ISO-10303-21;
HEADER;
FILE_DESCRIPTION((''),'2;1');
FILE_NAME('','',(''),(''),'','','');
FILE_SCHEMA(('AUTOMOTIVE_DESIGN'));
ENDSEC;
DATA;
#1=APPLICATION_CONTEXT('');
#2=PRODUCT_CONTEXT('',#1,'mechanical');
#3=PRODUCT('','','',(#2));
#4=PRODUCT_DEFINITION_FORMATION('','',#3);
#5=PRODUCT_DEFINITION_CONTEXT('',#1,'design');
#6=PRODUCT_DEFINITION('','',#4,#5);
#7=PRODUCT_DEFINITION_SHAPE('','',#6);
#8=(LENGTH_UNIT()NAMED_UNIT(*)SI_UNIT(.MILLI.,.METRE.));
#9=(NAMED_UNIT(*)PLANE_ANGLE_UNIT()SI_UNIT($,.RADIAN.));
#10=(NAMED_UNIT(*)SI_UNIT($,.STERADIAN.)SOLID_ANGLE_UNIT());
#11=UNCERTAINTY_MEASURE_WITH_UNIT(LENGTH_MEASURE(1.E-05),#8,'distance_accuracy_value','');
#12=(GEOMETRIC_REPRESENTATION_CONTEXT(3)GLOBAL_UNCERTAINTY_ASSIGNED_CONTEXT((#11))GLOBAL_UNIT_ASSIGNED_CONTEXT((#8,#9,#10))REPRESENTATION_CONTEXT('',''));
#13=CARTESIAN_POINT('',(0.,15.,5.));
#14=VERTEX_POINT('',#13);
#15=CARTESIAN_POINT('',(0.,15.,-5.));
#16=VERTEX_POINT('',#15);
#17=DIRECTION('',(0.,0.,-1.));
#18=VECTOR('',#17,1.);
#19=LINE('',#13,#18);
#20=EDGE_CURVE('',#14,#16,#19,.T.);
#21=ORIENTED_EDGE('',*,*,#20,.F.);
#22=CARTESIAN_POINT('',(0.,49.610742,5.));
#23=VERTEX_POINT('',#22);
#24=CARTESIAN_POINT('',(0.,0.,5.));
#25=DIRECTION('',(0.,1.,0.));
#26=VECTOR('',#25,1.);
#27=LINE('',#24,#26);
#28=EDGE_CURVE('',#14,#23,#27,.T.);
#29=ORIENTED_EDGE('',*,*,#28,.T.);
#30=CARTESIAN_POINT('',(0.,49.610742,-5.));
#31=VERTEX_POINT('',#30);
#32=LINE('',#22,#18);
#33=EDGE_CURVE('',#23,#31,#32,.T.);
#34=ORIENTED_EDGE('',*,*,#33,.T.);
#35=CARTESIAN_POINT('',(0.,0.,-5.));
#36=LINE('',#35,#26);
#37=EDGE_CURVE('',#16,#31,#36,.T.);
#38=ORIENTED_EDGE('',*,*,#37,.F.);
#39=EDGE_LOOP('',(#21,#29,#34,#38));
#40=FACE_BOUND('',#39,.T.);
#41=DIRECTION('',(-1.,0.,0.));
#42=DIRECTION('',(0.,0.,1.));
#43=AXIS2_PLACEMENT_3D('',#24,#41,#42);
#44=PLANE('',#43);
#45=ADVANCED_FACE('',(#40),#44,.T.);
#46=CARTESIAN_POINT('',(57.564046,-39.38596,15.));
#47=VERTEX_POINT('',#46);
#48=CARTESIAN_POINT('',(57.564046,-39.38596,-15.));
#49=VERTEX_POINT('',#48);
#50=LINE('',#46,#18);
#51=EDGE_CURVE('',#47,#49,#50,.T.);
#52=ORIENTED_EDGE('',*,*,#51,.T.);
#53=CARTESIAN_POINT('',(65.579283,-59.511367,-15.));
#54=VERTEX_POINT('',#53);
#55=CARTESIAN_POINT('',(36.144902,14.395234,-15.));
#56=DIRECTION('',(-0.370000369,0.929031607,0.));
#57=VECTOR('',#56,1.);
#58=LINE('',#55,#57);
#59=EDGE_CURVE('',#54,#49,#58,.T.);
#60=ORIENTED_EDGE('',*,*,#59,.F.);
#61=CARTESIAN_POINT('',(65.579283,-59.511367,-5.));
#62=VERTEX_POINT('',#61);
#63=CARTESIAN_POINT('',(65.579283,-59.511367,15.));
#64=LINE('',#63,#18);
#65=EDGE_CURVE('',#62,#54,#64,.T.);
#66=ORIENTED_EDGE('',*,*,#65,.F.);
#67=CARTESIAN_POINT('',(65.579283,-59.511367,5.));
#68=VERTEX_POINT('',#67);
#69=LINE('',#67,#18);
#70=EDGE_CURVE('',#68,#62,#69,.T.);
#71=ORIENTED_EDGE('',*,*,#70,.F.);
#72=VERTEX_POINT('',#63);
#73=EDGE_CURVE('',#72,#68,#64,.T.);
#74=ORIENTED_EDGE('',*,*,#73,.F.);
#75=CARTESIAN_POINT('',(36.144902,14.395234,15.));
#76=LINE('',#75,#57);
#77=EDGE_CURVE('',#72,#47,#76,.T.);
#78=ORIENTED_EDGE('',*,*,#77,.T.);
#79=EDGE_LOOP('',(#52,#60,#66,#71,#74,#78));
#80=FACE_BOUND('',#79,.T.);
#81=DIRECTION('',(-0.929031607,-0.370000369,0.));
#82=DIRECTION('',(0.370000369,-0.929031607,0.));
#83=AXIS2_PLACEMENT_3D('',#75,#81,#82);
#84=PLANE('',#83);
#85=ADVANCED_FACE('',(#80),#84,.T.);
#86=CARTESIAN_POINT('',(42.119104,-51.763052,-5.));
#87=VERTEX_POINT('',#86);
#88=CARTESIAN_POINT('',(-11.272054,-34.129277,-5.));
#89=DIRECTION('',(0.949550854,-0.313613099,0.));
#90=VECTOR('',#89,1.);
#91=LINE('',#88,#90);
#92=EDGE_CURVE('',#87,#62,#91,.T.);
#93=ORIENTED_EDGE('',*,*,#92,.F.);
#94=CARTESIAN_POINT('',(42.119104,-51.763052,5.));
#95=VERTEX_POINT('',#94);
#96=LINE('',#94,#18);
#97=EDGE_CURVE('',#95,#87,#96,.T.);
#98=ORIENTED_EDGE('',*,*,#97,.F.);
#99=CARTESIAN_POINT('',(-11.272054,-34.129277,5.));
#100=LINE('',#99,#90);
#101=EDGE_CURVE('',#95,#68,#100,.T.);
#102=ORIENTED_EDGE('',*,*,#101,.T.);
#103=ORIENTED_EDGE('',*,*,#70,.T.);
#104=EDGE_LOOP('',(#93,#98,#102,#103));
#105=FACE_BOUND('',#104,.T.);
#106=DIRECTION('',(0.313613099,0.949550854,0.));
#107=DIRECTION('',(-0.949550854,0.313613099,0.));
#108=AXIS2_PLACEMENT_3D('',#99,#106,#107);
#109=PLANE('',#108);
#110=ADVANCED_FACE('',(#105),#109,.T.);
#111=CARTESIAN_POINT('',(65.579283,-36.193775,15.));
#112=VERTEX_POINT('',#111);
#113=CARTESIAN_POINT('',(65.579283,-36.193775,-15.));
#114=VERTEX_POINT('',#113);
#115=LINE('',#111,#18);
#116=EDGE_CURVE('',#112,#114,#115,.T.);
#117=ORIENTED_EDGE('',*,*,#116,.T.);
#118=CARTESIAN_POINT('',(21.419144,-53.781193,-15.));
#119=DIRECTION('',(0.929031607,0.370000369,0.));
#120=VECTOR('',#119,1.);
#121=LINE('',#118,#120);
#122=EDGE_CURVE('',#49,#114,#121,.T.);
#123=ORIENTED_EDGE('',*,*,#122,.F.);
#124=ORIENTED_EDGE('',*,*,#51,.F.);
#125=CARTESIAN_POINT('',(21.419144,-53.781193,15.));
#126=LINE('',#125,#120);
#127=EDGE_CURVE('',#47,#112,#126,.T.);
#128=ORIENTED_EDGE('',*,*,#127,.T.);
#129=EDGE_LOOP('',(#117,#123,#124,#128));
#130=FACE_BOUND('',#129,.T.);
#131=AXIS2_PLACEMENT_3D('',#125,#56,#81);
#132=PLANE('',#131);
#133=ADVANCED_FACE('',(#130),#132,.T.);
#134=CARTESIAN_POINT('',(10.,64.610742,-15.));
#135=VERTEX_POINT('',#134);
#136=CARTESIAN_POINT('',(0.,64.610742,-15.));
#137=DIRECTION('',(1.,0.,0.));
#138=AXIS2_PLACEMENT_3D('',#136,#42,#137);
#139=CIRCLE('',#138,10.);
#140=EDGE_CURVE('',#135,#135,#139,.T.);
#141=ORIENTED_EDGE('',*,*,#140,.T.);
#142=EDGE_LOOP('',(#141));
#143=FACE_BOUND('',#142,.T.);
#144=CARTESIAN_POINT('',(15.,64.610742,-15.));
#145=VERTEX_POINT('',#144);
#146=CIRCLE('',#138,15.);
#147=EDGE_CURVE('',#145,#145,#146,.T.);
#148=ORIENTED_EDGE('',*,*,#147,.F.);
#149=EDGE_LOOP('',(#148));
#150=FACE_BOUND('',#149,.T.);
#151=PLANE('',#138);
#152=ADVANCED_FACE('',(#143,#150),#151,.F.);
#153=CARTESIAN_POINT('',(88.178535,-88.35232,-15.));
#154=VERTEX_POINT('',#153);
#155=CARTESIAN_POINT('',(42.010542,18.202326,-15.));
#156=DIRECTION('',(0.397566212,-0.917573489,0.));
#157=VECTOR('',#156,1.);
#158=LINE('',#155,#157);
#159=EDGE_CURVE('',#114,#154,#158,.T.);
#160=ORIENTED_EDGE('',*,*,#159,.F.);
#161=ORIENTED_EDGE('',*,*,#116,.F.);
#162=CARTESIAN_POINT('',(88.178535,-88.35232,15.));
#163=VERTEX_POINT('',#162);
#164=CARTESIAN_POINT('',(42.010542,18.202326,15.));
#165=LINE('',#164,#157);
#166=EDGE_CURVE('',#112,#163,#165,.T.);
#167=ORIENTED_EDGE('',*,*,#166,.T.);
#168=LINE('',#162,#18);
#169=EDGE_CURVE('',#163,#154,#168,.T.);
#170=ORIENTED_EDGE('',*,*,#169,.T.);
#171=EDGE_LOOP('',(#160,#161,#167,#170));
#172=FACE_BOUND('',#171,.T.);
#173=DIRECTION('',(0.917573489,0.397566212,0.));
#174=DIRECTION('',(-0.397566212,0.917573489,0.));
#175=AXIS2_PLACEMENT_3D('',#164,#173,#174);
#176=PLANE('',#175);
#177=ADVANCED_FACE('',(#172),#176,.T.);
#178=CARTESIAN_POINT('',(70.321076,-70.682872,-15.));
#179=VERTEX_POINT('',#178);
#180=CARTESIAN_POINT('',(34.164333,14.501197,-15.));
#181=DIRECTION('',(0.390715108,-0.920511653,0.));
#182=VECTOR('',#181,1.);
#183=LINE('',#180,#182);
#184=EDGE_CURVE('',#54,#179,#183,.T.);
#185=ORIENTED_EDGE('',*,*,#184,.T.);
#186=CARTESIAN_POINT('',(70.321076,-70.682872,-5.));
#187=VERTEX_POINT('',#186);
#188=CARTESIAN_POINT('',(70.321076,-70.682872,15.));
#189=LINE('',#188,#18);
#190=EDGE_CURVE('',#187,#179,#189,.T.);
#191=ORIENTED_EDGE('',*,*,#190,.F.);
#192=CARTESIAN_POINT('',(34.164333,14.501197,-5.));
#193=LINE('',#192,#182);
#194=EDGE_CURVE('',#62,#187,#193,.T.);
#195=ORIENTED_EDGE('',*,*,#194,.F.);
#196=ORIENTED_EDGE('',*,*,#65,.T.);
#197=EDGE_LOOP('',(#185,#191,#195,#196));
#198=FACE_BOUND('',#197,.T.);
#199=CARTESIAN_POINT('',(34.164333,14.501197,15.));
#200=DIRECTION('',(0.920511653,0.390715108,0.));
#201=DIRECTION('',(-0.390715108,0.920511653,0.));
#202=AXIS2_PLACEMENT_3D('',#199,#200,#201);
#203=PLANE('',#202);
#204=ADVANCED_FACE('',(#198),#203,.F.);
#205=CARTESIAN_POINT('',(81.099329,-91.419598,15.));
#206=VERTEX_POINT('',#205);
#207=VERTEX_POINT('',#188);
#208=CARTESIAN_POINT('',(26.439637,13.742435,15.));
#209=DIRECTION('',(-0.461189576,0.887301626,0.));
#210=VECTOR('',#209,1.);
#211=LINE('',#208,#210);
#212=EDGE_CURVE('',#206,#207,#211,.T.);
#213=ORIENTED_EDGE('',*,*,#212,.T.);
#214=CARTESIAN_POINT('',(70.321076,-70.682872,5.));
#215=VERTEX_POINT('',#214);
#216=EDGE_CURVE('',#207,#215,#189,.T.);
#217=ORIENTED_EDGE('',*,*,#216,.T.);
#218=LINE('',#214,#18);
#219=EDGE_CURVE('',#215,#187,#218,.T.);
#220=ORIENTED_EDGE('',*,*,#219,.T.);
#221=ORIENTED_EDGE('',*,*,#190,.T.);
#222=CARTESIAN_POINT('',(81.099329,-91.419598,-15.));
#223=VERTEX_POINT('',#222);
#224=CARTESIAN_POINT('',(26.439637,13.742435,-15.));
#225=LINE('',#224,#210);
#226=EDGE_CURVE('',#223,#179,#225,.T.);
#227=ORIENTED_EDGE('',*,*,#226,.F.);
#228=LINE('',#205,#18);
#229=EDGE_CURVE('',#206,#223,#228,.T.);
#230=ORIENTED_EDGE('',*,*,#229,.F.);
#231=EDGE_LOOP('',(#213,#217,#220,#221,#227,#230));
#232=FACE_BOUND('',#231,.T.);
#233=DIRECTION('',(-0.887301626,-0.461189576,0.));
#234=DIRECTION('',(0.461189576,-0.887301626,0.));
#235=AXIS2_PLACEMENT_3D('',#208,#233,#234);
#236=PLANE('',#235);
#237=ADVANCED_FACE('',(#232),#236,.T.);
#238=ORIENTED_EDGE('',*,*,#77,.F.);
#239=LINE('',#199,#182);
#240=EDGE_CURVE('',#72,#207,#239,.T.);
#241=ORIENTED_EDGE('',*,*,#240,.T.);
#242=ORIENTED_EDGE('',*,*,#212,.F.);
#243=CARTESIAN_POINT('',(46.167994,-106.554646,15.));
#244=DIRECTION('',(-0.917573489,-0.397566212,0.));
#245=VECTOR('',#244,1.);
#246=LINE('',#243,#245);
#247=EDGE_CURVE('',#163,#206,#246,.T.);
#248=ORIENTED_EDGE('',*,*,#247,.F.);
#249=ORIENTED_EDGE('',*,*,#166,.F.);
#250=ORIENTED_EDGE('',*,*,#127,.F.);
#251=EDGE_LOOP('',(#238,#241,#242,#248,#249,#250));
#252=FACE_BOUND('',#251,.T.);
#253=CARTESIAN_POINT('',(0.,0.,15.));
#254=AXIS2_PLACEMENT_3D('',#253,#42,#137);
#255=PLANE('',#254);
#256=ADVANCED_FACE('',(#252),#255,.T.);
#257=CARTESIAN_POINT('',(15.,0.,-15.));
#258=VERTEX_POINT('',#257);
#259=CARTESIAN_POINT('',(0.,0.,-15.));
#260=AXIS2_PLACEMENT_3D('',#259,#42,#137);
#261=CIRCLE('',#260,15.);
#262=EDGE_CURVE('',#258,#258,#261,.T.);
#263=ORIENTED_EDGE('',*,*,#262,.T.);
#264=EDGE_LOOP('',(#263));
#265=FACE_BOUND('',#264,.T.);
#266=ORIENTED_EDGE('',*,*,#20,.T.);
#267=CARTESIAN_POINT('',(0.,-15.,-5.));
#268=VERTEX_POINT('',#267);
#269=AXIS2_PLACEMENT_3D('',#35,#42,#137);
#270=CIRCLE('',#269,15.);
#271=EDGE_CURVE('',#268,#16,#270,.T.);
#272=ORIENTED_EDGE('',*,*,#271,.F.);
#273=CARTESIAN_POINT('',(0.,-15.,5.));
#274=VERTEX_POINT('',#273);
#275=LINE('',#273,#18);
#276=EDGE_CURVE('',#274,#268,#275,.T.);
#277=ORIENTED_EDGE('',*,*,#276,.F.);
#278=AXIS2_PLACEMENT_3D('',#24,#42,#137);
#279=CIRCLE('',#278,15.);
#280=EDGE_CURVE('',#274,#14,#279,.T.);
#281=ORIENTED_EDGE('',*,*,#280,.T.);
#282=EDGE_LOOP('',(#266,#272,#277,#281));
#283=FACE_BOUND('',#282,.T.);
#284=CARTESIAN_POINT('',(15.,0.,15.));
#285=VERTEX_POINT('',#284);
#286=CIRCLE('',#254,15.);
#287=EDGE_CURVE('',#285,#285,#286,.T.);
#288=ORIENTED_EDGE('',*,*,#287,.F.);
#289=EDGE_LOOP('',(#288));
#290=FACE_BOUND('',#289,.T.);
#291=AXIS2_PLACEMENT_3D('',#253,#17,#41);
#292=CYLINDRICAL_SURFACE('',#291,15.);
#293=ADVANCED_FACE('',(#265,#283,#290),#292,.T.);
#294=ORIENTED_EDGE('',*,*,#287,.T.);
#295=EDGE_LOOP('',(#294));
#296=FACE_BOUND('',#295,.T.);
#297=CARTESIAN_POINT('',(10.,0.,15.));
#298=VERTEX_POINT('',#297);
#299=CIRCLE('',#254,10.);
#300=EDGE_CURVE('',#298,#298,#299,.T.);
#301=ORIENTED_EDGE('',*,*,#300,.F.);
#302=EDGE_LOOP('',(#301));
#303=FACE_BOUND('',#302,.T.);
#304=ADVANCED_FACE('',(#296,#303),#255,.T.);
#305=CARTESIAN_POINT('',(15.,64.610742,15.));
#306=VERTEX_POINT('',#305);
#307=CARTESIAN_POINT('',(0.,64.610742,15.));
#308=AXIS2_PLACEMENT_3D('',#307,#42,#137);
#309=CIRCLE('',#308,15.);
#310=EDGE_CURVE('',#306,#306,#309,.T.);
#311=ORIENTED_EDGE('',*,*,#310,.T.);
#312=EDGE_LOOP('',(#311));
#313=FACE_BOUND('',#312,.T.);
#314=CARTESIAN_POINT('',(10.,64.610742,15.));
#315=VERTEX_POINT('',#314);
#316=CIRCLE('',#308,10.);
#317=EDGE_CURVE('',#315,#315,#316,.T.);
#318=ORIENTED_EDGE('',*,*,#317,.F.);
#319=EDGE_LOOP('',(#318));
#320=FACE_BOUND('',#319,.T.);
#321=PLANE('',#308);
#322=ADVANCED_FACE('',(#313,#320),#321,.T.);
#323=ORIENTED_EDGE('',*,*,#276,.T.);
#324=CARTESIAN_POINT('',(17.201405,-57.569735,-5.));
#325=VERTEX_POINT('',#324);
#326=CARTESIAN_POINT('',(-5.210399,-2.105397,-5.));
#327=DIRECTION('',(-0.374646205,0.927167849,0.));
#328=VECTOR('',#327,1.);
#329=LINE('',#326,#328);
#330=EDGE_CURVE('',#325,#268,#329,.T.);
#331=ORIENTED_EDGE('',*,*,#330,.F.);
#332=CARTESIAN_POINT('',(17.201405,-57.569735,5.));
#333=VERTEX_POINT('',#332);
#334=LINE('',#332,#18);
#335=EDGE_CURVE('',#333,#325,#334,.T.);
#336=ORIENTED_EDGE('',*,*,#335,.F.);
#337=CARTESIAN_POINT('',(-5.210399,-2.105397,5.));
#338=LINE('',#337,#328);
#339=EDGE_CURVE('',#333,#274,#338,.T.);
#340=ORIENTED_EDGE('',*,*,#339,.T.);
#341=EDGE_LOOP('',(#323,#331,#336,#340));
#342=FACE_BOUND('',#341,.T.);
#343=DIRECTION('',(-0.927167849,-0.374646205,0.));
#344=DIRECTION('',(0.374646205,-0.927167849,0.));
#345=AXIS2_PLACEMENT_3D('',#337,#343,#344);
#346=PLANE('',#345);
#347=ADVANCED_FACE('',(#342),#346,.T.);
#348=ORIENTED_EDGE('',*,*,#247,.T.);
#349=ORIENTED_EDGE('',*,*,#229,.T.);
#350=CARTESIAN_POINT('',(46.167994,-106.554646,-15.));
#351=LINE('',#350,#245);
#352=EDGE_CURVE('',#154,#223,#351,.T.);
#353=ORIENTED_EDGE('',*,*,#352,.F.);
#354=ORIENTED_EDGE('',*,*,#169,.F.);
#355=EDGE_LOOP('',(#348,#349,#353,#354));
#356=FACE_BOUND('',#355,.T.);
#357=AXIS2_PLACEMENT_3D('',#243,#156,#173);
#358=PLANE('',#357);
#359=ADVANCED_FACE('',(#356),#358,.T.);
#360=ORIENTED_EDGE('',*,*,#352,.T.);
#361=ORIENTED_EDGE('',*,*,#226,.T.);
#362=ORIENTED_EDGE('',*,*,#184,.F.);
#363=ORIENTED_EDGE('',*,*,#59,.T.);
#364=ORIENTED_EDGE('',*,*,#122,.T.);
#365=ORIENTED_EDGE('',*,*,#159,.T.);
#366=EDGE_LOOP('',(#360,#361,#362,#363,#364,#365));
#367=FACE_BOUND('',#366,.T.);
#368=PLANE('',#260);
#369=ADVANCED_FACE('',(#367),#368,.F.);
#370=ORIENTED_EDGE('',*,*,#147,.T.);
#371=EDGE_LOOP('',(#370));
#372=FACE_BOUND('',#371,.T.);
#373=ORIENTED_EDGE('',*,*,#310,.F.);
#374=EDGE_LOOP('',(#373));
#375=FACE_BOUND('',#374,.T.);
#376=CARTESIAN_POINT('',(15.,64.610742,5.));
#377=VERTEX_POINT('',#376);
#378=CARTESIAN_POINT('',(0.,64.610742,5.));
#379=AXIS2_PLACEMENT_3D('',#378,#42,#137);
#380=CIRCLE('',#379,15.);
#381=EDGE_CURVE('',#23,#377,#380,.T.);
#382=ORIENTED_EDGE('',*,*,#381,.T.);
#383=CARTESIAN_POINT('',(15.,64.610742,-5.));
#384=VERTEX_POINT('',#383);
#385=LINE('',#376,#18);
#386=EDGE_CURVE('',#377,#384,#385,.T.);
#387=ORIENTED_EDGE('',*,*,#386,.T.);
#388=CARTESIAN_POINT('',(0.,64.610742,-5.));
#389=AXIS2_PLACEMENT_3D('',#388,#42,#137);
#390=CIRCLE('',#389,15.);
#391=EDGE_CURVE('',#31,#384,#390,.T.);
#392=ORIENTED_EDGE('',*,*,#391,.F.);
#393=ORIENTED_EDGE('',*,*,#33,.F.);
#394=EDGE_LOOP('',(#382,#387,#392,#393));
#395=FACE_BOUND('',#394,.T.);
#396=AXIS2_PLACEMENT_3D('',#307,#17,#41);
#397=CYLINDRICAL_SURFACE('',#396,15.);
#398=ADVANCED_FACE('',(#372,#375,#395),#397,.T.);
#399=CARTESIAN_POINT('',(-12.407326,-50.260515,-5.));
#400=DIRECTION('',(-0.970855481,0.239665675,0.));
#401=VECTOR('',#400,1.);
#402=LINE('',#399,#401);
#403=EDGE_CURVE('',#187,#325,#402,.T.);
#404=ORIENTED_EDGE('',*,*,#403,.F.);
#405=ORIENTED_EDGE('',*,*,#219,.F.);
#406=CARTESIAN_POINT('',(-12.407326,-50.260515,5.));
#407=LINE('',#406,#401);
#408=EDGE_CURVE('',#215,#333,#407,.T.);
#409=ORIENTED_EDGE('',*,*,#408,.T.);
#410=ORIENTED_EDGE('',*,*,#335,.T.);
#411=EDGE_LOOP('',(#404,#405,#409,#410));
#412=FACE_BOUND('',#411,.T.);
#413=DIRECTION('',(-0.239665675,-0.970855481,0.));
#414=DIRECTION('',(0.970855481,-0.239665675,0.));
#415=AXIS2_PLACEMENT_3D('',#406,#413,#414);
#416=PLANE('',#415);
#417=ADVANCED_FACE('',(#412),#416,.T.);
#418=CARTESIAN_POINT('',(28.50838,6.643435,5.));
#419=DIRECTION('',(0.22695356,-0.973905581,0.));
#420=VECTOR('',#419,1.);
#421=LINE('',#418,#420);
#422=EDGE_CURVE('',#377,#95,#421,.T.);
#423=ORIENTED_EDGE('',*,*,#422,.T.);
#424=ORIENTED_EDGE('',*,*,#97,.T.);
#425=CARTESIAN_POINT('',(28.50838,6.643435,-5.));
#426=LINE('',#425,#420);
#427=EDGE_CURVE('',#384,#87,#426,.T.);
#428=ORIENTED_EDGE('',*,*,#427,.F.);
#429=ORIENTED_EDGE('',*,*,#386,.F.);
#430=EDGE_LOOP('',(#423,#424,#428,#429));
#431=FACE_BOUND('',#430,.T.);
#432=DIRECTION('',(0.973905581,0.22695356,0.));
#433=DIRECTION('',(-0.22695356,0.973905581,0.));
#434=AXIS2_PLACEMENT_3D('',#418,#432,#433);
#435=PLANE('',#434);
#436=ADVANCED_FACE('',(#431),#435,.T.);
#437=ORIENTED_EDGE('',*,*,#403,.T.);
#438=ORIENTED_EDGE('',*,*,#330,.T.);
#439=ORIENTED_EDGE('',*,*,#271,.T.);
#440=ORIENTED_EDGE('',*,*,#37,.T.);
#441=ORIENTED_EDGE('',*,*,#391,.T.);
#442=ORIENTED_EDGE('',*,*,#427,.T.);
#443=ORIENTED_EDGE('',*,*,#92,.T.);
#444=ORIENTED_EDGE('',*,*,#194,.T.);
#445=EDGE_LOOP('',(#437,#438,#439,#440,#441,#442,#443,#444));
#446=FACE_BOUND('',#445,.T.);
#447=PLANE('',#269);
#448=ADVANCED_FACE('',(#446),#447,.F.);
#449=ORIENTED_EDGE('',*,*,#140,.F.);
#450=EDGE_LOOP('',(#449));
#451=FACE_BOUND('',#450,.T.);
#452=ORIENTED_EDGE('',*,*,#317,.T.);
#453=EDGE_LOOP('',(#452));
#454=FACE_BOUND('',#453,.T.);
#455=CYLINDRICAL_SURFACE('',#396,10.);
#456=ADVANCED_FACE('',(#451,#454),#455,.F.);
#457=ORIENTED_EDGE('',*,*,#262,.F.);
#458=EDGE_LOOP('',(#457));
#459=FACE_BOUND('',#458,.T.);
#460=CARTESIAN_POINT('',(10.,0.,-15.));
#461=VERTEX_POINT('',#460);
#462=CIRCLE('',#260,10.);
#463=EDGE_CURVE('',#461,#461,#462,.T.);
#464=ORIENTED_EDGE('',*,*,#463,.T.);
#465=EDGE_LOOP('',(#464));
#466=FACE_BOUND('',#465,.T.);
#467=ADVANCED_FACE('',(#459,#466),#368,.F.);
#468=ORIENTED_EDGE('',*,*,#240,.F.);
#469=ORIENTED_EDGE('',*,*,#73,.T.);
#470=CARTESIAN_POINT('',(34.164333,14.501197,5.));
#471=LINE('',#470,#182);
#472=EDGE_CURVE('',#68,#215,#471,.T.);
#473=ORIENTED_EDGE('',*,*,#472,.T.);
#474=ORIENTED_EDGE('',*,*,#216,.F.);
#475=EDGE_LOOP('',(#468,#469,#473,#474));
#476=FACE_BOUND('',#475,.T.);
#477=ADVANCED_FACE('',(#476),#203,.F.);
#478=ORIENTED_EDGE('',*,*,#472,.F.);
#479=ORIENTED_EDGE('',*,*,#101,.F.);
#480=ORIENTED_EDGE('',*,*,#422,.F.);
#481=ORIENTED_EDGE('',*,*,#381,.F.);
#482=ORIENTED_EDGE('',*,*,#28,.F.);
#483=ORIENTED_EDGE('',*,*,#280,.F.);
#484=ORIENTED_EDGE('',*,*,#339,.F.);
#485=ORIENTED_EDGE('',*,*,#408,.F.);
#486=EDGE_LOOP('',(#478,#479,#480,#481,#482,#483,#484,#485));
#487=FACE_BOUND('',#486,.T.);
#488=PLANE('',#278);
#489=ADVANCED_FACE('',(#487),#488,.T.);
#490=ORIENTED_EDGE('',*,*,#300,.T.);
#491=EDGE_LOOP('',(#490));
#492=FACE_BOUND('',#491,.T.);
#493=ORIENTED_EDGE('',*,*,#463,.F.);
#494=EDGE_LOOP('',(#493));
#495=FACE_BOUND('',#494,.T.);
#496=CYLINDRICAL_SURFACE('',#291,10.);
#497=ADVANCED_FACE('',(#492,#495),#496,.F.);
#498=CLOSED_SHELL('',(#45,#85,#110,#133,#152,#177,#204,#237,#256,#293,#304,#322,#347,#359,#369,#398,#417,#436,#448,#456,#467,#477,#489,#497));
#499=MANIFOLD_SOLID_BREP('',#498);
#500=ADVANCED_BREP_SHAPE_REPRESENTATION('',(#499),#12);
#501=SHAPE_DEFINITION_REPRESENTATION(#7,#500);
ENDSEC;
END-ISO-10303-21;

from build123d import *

# Parameters (mm, degrees)
DODANIE_WYCI_GNI_CIE1_DEPTH = 5
SZKIC1_3_R                  = 15
SZKIC1_3_R_2                = 10
DODANIE_WYCI_GNI_CIE2_DEPTH = 15


with BuildPart() as part:
    # Szkic1 → Dodanie-wyciągnięcie1 (new, symmetric)
    with BuildSketch(Plane.XY):
        with BuildLine():
            Line((0, 49.610742159), (0, 15))
            ThreePointArc((0, 15), (10.606601718, 10.606601718), (15, 0))
            ThreePointArc((15, 0), (10.606601718, -10.606601718), (0, -15))
            Line((0, -15), (17.201404847, -57.569734598))
            Line((17.201404847, -57.569734598), (70.321075739, -70.682872454))
            Line((70.321075739, -70.682872454), (65.579282521, -59.511367123))
            Line((65.579282521, -59.511367123), (42.119104174, -51.763052014))
            Line((42.119104174, -51.763052014), (15, 64.610742159))
            ThreePointArc((15, 64.610742159), (10.606601718, 54.004140441), (0, 49.610742159))
        make_face()
    extrude(amount=DODANIE_WYCI_GNI_CIE1_DEPTH, both=True)

    # Szkic1<3> → Dodanie-wyciągnięcie2 (add, symmetric)
    # profile 1 of 3: a face of its own
    with BuildSketch(Plane.XY):
        Circle(SZKIC1_3_R)
        Circle(SZKIC1_3_R_2, mode=Mode.SUBTRACT)
    # profile 2 of 3: a face of its own
    with BuildSketch(Plane.XY):
        with Locations((0, 64.610742159)):
            Circle(SZKIC1_3_R)
        with Locations((0, 64.610742159)):
            Circle(SZKIC1_3_R_2, mode=Mode.SUBTRACT)
    # profile 3 of 3: a face of its own
    with BuildSketch(Plane.XY):
        Polygon((65.579282521, -59.511367123), (70.321075739, -70.682872454), (81.099328917, -91.419597771), (88.178535072, -88.35231955), (65.579282521, -36.193774991), (57.564045894, -39.385959721), align=None)
    extrude(amount=DODANIE_WYCI_GNI_CIE2_DEPTH, both=True)


solid = part.part
